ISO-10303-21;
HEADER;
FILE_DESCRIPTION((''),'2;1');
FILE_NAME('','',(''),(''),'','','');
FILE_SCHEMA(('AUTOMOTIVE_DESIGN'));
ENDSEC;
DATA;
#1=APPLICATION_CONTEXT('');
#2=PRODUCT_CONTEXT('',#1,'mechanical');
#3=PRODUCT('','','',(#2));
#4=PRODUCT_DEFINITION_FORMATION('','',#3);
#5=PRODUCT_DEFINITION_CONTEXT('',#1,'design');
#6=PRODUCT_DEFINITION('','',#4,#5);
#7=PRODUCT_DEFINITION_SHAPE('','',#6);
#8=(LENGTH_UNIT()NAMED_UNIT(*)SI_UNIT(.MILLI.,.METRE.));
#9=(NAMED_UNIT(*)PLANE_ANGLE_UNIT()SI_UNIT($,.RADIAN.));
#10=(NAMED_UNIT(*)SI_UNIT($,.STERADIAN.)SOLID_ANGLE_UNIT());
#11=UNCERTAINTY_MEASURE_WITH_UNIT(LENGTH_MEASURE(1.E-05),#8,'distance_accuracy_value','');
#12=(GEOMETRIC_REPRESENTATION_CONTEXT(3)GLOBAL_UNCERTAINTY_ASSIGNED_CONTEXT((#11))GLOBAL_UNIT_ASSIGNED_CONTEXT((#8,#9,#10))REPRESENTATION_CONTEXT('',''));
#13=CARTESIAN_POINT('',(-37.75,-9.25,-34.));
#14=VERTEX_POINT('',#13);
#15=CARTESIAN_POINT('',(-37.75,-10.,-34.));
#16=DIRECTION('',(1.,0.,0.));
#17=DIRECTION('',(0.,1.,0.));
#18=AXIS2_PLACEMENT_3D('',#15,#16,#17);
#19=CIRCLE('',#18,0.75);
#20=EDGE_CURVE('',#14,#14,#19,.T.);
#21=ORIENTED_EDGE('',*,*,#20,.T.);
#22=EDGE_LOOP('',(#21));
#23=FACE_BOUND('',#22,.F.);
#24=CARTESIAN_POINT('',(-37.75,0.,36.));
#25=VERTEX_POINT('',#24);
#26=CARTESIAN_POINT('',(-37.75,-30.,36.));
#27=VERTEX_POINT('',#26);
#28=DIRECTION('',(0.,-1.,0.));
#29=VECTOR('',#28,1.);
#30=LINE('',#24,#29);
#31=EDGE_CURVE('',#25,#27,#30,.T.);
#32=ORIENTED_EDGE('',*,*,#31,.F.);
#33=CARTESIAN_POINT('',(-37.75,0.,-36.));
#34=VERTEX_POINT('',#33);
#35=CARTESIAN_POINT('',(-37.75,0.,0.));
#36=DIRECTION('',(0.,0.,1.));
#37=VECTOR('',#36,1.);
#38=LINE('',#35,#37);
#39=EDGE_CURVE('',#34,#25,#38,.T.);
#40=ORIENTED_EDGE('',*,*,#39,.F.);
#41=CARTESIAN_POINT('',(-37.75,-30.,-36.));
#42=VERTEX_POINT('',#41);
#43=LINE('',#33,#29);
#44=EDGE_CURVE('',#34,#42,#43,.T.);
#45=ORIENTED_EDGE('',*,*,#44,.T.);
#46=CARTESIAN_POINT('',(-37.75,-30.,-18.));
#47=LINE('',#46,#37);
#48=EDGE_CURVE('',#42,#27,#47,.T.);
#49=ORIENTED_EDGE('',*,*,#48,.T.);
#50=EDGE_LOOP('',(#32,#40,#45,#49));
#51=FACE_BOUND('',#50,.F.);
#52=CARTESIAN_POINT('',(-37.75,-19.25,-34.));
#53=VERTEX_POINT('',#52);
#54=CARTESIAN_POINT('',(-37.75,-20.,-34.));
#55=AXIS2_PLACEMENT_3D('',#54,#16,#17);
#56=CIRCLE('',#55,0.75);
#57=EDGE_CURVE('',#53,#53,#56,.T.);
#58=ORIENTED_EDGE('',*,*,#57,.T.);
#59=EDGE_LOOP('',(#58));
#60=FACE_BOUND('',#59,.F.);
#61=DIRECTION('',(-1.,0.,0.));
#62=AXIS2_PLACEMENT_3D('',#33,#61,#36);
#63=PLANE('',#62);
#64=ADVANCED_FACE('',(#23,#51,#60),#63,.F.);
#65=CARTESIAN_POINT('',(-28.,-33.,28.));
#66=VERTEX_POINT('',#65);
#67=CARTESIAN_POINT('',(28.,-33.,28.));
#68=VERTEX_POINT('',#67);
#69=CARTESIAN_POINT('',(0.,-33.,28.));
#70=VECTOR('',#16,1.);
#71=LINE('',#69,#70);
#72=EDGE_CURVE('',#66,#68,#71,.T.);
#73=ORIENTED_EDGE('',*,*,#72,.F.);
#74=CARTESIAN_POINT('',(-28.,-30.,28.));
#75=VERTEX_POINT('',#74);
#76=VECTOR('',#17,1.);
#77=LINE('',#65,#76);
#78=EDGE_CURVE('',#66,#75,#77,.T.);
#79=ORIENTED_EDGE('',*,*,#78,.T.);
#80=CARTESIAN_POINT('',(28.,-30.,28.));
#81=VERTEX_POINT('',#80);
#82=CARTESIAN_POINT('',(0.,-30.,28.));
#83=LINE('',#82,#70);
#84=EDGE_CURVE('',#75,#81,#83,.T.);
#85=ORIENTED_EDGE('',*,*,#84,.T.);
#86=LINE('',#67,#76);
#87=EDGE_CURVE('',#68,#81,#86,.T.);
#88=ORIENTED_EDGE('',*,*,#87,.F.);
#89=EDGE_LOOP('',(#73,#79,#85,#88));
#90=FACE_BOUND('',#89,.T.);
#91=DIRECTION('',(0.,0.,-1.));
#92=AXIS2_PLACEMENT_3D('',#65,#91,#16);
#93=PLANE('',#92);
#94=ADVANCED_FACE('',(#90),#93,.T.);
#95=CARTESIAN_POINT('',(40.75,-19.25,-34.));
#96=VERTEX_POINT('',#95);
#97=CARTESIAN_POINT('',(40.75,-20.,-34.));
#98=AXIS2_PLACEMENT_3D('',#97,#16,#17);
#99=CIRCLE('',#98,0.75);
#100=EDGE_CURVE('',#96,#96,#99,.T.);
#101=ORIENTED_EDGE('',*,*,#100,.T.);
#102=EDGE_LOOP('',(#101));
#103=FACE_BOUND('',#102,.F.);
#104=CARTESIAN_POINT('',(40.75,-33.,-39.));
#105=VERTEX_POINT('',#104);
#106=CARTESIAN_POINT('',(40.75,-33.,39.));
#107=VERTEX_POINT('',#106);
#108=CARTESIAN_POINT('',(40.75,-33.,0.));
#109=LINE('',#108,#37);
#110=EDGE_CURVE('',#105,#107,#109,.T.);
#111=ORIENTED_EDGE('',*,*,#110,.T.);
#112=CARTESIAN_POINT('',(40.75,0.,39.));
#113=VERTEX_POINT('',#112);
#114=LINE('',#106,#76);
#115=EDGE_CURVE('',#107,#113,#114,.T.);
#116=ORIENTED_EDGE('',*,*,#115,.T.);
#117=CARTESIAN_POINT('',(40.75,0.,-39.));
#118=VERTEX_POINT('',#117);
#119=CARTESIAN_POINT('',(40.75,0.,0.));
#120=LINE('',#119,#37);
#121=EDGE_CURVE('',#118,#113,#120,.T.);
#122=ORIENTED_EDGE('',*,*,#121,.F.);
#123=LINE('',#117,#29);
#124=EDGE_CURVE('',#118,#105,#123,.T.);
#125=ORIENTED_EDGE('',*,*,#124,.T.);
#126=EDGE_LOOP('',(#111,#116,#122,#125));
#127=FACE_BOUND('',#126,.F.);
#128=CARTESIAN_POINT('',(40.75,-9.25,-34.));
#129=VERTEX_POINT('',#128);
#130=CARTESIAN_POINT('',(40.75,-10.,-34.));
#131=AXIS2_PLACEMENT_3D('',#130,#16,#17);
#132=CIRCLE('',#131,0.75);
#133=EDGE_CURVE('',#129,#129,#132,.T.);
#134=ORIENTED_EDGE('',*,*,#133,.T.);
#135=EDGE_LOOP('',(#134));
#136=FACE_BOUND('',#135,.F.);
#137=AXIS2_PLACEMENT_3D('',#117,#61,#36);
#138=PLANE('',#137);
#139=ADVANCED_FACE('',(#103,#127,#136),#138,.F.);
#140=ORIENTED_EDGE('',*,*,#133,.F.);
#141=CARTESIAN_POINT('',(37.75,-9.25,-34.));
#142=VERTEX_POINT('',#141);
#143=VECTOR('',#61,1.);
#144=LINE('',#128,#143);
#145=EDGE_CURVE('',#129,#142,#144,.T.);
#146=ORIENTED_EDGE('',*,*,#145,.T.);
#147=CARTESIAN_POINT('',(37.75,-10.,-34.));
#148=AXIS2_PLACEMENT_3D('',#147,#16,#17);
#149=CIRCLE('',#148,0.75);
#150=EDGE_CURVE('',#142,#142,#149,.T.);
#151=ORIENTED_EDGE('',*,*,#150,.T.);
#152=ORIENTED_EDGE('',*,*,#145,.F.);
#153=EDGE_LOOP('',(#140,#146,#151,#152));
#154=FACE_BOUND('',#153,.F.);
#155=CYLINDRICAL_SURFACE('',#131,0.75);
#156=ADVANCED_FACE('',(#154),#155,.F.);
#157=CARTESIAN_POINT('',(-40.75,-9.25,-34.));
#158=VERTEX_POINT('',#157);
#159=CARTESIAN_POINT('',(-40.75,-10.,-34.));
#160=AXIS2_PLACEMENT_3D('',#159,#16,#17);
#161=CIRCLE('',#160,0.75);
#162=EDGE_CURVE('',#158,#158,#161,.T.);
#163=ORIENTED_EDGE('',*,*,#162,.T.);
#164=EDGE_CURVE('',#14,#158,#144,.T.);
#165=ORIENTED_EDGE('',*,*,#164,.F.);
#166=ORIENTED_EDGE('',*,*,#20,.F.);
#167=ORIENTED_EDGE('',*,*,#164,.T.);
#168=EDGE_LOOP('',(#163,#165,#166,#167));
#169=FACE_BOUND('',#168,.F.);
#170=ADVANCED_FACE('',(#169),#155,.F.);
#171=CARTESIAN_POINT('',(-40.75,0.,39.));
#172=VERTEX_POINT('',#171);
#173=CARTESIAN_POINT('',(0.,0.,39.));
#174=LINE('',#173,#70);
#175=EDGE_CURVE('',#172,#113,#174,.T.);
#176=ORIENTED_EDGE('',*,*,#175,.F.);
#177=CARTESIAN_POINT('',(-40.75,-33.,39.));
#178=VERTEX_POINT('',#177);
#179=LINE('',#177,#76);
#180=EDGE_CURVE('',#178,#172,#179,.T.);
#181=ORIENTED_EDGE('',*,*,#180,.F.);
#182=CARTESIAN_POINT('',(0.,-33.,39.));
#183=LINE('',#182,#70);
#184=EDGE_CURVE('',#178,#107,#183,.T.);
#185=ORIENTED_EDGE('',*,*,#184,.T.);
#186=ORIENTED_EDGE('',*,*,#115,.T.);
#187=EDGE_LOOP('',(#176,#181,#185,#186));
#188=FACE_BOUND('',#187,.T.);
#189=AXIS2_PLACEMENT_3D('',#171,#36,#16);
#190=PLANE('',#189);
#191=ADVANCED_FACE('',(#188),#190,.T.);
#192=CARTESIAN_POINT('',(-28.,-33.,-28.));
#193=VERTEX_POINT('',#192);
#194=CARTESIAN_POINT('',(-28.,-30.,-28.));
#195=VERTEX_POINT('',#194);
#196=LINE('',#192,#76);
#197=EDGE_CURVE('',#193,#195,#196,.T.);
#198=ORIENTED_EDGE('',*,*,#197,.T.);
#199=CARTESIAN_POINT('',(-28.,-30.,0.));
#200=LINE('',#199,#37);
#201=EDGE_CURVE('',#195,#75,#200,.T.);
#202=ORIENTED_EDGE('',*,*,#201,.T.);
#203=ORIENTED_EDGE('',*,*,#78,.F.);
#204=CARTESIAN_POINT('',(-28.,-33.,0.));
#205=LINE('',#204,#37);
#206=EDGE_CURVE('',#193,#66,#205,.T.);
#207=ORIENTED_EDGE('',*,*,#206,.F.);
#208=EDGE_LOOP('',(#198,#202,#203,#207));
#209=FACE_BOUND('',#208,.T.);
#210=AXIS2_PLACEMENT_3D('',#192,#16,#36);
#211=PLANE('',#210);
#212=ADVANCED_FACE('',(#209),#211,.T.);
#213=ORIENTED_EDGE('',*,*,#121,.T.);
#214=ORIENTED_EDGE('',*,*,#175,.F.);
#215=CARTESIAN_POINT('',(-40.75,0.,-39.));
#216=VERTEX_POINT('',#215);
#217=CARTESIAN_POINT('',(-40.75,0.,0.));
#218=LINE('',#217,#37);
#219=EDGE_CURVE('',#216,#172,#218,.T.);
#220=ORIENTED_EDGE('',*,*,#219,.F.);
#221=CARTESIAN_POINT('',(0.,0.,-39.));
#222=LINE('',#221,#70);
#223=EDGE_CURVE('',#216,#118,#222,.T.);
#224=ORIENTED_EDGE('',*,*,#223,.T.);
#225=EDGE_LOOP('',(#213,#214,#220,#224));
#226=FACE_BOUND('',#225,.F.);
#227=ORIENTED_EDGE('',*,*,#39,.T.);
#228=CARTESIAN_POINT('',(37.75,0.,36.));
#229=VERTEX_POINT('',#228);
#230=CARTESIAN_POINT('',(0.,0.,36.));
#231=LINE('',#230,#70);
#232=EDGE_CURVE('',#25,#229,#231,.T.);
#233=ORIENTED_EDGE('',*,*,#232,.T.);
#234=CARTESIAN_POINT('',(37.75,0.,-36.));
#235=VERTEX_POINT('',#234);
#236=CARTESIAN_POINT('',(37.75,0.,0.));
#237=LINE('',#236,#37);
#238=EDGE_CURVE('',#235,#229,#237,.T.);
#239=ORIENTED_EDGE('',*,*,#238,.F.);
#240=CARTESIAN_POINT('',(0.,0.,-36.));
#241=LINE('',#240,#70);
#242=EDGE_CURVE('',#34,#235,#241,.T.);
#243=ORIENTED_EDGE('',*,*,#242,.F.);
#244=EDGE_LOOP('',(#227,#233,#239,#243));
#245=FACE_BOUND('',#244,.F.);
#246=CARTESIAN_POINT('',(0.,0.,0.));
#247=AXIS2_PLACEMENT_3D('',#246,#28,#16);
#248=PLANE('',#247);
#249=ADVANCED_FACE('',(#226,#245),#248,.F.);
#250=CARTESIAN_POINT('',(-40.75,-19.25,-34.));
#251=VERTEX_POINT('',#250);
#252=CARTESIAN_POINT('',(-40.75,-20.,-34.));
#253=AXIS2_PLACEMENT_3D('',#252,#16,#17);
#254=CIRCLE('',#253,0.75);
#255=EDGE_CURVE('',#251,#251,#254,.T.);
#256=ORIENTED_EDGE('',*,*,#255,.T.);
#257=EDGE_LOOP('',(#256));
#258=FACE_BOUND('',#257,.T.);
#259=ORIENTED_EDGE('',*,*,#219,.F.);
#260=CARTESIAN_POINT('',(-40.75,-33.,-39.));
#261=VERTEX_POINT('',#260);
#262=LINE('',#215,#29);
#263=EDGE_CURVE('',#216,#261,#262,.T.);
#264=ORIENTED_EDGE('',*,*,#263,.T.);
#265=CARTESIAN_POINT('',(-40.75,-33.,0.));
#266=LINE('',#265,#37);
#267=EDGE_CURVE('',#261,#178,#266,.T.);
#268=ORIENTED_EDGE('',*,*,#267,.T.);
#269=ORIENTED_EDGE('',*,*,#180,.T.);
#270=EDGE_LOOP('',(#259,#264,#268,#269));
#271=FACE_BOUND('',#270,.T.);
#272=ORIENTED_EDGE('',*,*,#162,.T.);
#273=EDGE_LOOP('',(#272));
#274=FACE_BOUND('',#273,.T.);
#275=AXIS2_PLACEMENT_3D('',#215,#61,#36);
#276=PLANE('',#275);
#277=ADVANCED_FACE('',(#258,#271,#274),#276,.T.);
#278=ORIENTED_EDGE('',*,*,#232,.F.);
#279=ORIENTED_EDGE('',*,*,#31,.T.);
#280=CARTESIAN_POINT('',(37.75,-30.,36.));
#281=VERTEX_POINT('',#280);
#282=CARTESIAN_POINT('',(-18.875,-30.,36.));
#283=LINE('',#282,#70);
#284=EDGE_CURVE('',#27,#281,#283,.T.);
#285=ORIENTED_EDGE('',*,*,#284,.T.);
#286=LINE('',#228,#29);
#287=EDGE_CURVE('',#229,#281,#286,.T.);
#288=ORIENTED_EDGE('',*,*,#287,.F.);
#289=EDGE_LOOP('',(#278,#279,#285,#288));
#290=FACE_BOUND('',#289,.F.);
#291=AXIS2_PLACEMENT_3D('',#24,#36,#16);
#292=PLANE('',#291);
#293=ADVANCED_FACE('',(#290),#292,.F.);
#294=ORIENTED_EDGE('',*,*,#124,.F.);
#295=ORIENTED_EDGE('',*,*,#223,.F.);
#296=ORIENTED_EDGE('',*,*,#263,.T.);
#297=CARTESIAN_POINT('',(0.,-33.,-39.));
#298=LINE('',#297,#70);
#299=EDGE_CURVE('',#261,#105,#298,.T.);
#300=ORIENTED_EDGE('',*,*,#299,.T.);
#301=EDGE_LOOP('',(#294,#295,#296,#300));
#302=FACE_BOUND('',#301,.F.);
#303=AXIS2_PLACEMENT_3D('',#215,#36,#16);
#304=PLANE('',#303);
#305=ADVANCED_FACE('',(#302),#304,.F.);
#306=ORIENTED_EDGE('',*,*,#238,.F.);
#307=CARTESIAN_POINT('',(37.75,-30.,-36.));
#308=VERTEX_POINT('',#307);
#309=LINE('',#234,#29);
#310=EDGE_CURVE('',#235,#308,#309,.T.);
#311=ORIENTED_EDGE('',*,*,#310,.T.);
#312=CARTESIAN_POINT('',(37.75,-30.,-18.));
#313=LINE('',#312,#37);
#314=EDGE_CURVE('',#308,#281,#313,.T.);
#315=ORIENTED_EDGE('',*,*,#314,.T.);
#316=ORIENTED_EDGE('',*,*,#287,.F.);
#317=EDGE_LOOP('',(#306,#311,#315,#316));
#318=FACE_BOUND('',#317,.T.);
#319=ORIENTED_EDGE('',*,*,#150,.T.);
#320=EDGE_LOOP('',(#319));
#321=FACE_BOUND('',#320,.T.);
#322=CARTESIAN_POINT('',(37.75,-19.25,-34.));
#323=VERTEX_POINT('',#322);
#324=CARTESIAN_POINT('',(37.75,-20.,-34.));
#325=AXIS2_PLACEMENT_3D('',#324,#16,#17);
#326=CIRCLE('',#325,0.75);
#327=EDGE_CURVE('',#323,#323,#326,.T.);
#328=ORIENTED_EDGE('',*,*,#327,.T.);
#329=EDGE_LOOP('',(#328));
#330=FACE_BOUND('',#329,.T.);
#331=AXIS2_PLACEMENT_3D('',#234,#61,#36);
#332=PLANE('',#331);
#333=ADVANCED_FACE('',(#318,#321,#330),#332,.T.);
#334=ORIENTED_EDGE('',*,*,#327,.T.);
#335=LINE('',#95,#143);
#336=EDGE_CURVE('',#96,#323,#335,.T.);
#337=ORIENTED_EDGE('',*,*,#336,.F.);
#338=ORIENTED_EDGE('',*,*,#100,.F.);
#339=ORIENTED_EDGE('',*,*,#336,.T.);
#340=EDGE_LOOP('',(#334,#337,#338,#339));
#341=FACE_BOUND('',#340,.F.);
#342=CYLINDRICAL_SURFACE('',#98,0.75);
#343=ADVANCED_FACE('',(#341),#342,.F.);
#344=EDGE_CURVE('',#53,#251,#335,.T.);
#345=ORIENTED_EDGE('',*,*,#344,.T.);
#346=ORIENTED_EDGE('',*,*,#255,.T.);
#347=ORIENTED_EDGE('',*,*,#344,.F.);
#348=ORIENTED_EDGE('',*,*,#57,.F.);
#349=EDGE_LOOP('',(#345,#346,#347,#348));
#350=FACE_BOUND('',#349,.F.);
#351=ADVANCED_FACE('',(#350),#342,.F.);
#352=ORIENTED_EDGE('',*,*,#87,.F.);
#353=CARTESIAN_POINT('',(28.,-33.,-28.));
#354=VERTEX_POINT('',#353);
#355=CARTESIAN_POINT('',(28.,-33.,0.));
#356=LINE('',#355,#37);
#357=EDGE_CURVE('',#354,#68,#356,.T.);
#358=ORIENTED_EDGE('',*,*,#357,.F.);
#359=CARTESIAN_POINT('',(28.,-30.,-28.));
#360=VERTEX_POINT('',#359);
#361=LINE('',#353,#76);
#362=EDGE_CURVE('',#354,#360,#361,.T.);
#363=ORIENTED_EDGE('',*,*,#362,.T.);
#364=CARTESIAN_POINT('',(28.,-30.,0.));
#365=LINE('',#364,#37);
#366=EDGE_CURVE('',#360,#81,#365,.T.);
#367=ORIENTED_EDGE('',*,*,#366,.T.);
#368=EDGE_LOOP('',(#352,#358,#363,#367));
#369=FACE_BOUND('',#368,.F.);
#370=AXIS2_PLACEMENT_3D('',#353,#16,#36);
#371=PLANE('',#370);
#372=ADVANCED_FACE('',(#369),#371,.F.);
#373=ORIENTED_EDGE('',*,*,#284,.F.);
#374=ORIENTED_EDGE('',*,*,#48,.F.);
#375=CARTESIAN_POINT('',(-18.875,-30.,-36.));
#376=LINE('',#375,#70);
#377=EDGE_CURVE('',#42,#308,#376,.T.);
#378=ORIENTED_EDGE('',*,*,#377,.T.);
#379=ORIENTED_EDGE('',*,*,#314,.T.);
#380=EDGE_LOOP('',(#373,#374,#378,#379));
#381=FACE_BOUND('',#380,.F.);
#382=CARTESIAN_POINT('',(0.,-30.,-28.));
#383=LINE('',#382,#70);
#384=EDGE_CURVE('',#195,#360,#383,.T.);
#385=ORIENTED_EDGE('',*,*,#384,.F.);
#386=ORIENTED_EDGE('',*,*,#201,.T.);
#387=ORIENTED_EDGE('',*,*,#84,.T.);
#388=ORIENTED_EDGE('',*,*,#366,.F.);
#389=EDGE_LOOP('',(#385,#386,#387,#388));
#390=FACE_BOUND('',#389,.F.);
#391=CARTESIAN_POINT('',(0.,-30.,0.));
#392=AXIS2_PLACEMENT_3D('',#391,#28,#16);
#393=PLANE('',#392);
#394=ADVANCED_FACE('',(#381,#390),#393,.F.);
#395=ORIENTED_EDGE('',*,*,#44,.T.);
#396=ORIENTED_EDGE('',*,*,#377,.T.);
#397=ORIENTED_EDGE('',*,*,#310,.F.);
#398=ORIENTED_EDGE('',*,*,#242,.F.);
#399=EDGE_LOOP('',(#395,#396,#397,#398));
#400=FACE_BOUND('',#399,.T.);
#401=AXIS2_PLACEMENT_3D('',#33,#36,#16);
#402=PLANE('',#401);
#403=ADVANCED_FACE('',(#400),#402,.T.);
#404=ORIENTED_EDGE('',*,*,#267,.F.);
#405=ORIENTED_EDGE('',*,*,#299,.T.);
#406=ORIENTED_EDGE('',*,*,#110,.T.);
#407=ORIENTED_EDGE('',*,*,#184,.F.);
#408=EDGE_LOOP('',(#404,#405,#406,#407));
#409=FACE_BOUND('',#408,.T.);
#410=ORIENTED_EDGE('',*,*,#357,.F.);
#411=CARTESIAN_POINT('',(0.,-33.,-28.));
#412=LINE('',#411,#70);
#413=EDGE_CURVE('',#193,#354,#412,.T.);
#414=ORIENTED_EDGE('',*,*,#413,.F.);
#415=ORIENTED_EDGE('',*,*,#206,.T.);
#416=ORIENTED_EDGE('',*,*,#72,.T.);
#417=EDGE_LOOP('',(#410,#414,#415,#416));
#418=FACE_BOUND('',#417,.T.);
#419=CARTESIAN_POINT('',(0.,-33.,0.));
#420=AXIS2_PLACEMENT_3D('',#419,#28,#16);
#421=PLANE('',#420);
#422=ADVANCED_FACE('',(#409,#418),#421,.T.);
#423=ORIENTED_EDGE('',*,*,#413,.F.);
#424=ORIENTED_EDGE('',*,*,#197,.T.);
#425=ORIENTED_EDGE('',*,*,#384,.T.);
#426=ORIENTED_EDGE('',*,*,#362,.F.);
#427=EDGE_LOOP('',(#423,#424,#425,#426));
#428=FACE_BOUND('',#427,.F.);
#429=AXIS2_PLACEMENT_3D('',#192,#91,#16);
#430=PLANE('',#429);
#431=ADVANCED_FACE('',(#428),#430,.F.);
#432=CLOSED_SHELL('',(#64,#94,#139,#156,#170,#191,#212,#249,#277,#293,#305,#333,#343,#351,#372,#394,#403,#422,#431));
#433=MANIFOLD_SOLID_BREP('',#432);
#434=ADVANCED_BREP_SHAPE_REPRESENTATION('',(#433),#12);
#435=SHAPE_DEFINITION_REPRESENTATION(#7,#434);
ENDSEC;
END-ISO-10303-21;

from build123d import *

# Parameters (mm, degrees)
F0_W     = 81.5
F0_H     = 78
F0_W_2   = 75.5
F0_H_2   = 72
F1_DEPTH = 33
F2_W     = 81.5
F2_H     = 78
F2_W_2   = 56
F2_H_2   = 56
F3_DEPTH = 3
F4_R     = 0.75
F5_DEPTH = 111.5


with BuildPart() as f1:
    # F0 (on Front) → F1 (new body)
    with BuildSketch(Plane.XZ):
        Rectangle(F0_W, F0_H)
        Rectangle(F0_W_2, F0_H_2, mode=Mode.SUBTRACT)
    extrude(amount=F1_DEPTH)

    # F2 (on face) → F3 (join)
    with BuildSketch(Plane.XZ.offset(33)):
        Rectangle(F2_W, F2_H)
        Rectangle(F2_W_2, F2_H_2, mode=Mode.SUBTRACT)
    extrude(amount=-F3_DEPTH)

    # F4 (on face) → F5 (cut)
    with BuildSketch(Plane.YZ.offset(40.75)):
        with Locations((-10, -34)):
            Circle(F4_R)
        with Locations((-20, -34)):
            Circle(F4_R)
    extrude(amount=-F5_DEPTH, mode=Mode.SUBTRACT)


solid = f1.part
